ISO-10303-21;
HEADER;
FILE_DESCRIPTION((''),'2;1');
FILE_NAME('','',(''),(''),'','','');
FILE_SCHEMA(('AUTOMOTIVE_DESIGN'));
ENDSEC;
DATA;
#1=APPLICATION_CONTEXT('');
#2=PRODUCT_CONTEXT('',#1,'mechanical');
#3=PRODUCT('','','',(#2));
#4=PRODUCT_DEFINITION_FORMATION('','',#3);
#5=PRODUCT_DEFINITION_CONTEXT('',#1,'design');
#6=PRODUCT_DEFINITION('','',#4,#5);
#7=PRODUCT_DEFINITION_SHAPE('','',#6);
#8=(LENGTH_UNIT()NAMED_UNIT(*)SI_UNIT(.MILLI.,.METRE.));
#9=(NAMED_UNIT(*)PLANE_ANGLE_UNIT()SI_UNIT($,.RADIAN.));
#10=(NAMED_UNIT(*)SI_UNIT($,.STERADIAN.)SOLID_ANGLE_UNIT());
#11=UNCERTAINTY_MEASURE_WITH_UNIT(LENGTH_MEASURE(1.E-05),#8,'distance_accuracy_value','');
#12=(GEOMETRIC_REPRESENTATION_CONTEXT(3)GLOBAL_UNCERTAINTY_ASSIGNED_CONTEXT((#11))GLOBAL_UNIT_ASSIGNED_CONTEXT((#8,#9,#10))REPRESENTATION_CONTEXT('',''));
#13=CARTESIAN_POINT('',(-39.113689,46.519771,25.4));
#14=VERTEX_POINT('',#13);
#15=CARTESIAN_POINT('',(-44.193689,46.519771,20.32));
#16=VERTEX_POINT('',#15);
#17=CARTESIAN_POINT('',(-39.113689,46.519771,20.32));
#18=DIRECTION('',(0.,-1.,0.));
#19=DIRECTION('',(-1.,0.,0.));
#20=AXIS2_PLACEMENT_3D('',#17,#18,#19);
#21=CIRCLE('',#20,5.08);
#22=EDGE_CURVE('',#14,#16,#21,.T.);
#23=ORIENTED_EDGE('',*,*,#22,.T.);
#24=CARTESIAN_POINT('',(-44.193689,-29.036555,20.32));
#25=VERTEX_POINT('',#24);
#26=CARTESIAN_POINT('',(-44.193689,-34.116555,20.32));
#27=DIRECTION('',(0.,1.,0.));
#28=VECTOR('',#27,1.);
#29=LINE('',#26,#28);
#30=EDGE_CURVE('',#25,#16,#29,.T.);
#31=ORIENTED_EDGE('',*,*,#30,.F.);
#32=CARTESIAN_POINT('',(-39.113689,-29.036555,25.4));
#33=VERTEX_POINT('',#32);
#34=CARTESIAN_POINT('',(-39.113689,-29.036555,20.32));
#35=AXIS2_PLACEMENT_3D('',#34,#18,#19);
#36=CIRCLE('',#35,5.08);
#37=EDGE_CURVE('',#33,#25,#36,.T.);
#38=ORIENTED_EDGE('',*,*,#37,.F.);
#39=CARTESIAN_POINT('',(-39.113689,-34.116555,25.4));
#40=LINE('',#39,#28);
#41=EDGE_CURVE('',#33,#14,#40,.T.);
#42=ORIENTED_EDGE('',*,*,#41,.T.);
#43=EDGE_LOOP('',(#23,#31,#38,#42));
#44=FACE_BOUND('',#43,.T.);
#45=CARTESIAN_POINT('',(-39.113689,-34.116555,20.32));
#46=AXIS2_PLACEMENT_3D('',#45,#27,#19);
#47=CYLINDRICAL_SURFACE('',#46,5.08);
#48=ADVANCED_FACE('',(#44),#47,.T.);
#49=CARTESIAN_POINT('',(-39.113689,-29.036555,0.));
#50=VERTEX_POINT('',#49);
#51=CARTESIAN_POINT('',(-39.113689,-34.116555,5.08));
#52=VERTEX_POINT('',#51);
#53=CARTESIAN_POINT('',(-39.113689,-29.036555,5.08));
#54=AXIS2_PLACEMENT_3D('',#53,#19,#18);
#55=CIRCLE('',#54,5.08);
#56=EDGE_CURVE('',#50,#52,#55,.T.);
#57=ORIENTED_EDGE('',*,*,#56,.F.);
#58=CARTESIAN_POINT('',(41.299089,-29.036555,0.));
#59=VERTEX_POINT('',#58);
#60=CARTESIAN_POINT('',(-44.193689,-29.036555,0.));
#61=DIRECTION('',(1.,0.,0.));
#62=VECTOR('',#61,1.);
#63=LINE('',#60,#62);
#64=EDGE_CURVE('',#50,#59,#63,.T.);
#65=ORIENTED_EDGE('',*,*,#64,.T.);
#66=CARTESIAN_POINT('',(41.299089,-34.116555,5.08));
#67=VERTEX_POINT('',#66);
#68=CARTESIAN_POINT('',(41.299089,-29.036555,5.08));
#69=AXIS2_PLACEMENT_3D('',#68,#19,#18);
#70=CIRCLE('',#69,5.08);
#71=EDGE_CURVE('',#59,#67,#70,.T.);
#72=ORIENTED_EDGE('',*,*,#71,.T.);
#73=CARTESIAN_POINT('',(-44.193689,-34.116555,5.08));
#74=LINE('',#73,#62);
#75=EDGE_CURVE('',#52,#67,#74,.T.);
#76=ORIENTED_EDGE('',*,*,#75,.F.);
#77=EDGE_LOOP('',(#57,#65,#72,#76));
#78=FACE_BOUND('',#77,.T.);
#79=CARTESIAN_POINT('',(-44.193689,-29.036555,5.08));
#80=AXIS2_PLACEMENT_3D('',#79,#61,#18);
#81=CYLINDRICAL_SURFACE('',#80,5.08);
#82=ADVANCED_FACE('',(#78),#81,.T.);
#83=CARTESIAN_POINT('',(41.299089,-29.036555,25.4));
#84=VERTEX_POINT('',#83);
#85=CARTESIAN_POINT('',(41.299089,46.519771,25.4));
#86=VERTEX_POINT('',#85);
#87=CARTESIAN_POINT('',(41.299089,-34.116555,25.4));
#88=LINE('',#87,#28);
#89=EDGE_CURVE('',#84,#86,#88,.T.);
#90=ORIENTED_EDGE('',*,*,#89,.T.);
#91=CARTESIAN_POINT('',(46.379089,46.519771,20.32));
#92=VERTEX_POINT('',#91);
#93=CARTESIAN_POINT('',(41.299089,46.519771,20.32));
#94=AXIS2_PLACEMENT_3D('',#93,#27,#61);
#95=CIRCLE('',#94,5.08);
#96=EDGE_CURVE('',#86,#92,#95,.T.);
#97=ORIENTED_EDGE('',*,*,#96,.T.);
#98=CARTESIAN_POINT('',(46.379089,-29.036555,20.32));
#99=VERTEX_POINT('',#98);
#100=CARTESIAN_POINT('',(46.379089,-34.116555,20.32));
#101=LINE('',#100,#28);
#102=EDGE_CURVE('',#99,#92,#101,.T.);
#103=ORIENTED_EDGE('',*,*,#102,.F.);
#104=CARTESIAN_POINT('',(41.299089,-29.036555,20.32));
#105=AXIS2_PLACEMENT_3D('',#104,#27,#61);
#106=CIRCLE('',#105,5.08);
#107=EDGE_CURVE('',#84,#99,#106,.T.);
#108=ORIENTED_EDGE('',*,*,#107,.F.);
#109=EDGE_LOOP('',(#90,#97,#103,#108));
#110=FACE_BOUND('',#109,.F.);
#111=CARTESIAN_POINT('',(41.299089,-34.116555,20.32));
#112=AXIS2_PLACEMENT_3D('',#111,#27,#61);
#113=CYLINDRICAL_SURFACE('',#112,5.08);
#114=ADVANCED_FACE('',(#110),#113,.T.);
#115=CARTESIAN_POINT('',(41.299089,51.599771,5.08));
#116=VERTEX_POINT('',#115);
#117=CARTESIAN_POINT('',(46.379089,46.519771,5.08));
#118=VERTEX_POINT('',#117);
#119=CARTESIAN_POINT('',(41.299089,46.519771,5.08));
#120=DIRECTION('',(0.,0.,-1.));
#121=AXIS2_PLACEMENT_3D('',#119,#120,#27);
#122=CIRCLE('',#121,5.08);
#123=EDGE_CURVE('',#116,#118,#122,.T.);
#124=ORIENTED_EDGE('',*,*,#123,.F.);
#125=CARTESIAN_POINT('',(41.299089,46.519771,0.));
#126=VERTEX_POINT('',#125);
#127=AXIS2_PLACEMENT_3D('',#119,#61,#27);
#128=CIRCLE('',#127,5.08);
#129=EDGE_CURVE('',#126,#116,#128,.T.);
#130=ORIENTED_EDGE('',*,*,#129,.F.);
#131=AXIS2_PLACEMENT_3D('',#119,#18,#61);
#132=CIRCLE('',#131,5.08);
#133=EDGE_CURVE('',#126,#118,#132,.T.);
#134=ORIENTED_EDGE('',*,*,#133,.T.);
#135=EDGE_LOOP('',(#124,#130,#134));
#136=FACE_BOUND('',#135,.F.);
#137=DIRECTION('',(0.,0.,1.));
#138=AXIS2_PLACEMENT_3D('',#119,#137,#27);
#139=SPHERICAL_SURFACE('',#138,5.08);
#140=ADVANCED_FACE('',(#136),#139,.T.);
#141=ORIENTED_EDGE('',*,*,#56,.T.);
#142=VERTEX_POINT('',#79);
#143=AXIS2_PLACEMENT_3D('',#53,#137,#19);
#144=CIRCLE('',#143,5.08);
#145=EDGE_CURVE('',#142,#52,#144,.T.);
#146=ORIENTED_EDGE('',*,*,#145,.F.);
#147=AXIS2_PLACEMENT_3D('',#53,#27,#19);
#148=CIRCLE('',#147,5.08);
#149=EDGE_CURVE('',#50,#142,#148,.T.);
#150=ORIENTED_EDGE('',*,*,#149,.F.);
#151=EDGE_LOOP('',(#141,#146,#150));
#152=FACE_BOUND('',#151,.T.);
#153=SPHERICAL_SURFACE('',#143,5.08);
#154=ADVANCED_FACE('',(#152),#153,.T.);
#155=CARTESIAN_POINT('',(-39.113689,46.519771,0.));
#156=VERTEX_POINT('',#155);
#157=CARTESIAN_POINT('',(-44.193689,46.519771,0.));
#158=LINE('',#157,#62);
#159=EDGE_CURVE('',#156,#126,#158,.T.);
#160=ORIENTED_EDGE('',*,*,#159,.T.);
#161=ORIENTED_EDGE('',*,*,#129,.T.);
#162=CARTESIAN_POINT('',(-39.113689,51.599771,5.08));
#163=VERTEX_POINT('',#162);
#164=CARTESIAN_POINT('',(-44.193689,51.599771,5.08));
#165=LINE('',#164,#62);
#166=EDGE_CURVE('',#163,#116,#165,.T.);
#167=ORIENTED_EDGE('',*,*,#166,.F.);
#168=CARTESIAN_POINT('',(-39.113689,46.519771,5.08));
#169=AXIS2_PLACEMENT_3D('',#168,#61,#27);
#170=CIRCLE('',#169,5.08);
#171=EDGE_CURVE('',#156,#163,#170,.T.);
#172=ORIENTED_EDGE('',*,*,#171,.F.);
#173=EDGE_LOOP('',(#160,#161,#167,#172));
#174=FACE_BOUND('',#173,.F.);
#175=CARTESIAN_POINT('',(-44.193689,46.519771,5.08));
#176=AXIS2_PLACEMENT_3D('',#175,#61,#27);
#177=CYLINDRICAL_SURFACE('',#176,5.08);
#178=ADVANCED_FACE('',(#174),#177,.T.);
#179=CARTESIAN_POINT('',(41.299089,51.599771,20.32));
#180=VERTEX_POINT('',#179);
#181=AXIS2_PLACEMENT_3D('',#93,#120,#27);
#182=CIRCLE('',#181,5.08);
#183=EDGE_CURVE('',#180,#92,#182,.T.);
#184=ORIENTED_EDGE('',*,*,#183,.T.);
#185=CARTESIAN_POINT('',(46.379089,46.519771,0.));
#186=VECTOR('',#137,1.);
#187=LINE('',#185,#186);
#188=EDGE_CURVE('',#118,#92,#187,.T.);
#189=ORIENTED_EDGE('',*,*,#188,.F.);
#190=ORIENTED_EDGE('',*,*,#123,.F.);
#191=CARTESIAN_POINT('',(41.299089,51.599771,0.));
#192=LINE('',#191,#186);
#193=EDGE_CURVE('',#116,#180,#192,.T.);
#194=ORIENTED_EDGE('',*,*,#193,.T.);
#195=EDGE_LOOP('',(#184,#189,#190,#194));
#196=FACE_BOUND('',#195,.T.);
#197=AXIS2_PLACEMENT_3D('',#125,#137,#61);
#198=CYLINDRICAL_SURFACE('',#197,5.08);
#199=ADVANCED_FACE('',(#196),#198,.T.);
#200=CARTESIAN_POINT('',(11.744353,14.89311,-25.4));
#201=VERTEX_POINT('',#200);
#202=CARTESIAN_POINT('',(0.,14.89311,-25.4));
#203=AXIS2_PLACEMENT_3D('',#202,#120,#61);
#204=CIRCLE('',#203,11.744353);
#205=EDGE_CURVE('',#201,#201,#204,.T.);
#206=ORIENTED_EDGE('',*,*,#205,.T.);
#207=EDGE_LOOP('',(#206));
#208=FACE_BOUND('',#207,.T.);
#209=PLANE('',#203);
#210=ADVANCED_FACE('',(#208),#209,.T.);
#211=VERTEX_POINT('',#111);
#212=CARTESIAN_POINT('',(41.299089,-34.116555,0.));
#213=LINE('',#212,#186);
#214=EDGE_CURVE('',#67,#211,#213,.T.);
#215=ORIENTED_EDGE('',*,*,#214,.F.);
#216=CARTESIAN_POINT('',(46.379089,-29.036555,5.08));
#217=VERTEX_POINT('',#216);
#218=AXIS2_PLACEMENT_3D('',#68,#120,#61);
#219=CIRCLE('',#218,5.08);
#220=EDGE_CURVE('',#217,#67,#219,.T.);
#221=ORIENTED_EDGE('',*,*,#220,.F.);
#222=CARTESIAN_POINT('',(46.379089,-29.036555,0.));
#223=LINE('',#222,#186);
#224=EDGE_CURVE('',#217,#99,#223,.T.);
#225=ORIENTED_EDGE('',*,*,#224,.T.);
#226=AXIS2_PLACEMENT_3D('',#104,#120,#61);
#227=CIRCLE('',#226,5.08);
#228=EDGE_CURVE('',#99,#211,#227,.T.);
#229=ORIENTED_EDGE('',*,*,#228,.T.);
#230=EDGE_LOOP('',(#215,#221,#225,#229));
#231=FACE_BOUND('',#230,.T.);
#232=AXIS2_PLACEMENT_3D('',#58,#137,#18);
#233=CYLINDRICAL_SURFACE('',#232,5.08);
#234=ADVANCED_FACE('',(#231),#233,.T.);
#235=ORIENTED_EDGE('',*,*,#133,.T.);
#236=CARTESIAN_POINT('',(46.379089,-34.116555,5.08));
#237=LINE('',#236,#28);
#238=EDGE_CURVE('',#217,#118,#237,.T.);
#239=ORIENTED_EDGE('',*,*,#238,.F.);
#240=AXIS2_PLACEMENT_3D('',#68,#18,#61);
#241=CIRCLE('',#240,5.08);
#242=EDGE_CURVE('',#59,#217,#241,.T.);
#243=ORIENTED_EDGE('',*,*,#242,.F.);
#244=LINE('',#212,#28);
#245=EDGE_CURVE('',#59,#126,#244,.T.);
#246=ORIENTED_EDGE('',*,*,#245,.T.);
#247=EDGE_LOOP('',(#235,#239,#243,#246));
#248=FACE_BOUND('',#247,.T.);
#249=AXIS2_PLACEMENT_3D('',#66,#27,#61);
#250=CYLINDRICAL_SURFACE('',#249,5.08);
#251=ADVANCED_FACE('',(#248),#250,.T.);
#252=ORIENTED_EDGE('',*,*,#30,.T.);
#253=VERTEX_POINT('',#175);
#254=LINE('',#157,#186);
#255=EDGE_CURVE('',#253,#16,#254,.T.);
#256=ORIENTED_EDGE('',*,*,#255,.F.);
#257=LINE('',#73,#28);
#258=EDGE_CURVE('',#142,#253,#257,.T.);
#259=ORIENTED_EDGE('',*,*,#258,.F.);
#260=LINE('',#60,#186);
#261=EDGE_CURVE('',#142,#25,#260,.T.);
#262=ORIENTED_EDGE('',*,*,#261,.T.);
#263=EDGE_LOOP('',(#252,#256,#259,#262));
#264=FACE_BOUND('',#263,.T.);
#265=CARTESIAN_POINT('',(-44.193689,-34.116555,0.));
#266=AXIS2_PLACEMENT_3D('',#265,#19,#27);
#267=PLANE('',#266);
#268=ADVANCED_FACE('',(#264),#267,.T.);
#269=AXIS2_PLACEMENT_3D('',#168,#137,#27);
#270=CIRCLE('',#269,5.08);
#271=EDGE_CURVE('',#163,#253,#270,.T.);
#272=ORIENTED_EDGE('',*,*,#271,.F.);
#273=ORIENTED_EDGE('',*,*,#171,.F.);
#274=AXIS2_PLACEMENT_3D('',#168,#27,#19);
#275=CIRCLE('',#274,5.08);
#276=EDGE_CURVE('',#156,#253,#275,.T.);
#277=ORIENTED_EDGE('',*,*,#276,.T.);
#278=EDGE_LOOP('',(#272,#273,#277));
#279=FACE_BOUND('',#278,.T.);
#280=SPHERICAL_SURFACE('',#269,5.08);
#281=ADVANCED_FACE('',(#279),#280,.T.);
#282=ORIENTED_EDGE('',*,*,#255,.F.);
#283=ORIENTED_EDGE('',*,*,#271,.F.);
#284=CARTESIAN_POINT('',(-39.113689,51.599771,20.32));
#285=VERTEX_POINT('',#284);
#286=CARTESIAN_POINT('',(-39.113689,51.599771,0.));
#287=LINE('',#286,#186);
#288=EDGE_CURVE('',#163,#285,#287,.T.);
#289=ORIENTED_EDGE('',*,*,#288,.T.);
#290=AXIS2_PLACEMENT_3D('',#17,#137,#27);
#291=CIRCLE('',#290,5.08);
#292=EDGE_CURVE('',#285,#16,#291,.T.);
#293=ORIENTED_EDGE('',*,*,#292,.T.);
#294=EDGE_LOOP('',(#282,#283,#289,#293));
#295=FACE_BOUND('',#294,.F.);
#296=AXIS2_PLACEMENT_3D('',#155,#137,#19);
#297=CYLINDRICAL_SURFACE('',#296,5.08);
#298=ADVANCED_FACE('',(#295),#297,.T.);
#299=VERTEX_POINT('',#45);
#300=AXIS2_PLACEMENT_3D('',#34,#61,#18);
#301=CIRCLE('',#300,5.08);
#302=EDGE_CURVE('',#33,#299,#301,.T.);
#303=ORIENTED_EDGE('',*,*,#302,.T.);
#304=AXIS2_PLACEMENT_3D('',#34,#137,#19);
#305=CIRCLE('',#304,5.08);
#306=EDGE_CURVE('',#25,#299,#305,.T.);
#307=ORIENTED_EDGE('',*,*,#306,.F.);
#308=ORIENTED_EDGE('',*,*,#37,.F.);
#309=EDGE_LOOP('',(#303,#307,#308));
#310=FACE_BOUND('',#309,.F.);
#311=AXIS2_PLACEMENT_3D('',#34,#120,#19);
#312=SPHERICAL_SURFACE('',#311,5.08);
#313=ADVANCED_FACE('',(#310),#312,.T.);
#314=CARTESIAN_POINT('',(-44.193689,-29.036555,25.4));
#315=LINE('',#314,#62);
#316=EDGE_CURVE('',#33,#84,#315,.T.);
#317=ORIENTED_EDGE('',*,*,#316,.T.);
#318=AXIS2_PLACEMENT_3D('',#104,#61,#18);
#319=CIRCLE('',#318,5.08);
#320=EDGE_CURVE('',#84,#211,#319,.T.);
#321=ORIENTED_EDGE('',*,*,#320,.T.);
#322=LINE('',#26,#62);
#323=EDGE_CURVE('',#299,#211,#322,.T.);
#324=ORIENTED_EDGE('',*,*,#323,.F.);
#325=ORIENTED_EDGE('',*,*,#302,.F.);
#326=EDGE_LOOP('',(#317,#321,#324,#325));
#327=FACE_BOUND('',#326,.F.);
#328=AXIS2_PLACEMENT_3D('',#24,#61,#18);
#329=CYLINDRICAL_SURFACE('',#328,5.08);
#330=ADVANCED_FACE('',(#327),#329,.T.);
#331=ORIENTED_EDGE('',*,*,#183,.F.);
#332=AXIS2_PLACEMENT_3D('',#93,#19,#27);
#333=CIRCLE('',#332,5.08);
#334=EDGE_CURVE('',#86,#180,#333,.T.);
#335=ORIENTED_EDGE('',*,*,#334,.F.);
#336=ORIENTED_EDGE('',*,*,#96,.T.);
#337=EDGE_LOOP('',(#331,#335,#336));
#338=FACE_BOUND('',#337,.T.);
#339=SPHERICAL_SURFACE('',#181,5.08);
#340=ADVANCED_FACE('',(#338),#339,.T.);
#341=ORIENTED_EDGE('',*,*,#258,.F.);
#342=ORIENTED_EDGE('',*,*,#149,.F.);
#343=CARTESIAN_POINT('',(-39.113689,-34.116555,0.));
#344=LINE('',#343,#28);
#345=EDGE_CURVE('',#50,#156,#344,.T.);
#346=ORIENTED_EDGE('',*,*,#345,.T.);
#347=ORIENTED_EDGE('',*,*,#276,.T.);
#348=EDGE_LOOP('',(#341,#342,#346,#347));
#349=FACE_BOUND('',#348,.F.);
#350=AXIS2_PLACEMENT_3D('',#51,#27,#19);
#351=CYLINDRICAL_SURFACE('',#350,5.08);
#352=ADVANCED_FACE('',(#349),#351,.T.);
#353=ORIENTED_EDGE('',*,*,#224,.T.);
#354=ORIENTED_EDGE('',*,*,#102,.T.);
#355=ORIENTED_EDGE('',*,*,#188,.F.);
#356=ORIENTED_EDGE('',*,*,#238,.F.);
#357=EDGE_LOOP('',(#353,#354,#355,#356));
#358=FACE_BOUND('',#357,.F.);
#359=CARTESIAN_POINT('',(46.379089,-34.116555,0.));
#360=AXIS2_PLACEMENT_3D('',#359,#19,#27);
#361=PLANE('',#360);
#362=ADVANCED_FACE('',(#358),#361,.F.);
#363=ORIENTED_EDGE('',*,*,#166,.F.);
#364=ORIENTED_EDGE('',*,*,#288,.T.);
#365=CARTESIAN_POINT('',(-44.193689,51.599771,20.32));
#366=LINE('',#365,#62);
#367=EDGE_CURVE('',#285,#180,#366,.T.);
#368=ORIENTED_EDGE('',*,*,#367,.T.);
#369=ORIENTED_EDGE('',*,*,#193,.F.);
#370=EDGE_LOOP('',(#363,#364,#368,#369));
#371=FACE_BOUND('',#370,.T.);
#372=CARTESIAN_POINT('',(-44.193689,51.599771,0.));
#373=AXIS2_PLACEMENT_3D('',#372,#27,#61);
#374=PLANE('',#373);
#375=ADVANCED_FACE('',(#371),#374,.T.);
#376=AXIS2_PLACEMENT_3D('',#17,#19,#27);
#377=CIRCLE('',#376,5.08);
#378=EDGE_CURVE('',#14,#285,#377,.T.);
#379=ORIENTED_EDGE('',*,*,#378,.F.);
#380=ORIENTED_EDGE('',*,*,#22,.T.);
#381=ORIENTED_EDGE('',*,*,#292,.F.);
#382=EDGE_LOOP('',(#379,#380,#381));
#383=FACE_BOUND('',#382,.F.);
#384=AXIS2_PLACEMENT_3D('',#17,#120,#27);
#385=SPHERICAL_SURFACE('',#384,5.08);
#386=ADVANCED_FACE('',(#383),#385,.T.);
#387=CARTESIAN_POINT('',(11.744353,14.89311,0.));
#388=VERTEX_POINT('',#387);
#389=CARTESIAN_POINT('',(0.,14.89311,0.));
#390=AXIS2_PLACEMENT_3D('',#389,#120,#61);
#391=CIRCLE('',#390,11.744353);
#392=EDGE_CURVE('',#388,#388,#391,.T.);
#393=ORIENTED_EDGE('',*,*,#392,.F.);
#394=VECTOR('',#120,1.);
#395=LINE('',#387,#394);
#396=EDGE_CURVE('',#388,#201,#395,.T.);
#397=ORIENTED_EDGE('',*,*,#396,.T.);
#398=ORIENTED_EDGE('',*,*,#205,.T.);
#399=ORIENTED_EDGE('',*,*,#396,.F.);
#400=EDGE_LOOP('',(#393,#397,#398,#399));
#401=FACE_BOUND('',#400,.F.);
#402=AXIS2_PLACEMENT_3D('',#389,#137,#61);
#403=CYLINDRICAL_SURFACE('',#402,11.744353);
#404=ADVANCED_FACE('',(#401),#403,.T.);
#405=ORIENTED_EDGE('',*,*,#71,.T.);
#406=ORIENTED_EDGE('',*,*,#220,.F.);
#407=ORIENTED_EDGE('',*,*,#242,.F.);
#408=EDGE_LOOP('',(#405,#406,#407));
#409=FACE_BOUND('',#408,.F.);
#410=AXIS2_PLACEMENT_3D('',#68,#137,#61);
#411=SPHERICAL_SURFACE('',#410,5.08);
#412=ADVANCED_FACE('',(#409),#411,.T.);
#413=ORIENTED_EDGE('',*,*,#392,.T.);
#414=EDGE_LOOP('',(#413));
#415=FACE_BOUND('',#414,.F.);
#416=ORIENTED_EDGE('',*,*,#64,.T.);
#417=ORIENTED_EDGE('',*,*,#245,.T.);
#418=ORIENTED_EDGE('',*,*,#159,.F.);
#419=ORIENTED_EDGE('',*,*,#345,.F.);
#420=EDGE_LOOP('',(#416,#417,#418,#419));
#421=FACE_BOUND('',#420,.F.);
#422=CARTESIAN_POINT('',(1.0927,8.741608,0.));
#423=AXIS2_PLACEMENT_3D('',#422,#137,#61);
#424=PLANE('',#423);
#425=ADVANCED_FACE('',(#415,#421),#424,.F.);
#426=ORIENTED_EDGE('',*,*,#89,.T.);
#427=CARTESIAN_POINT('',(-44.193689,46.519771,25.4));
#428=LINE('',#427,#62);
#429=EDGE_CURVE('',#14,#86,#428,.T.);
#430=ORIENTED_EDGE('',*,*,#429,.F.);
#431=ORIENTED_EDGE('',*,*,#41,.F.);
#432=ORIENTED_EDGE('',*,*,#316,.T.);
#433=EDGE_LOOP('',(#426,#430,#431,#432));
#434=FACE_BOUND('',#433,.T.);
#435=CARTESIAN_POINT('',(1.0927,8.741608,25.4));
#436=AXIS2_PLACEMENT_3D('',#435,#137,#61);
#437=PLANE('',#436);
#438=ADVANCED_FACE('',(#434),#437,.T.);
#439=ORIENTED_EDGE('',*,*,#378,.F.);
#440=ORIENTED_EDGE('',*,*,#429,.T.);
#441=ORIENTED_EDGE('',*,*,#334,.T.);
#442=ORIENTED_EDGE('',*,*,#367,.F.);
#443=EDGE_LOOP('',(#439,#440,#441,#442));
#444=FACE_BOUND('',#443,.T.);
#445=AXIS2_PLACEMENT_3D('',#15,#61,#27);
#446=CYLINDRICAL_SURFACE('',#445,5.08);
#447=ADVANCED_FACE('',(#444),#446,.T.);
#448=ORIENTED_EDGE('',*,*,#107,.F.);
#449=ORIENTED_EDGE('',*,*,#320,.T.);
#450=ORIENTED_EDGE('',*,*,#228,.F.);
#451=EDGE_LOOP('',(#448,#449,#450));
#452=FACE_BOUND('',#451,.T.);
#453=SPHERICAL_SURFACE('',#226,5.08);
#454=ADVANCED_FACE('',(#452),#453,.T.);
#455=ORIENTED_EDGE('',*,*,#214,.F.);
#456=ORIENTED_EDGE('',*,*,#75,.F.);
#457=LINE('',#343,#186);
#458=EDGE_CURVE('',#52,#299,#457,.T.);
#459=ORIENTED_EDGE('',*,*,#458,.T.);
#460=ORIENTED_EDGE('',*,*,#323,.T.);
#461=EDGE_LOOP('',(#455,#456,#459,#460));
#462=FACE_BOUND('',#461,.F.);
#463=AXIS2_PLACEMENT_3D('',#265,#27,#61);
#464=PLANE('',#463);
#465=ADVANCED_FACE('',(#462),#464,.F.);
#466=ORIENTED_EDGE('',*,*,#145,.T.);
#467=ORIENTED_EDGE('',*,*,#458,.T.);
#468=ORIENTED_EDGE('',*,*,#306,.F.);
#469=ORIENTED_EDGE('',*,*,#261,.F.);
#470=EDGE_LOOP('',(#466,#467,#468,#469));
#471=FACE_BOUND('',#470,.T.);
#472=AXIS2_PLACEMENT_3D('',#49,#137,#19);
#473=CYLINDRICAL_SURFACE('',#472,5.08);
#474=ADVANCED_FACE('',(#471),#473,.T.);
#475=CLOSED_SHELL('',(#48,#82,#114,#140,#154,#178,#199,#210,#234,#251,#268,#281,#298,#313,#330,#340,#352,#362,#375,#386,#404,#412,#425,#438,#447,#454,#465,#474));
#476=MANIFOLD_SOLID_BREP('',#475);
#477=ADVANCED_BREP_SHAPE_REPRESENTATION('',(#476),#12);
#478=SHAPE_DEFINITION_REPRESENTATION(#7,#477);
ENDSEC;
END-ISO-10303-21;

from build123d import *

# Parameters (mm, degrees)
F0_W     = 90.572778
F0_H     = 85.716326
F1_DEPTH = 25.4
F2_R     = 5.08
F3_R     = 11.744353
F4_DEPTH = 25.4


with BuildPart() as f1:
    # F0 (on Top) → F1 (new body)
    with BuildSketch(Plane.XY):
        with Locations((1.0927, 8.741608)):
            Rectangle(F0_W, F0_H)
    extrude(amount=F1_DEPTH)

    # F2
    f2_edges = [f1.edges().sort_by_distance(p)[0] for p in [
        (46.379089, 51.599771, 12.7),
        (-44.193689, 51.599771, 12.7),
        (1.0927, 51.599771, 0),
        (1.0927, 51.599771, 25.4),
        (46.379089, -34.116555, 12.7),
        (46.379089, 8.741608, 0),
        (46.379089, 8.741608, 25.4),
        (-44.193689, -34.116555, 12.7),
        (-44.193689, 8.741608, 0),
        (-44.193689, 8.741608, 25.4),
        (1.0927, -34.116555, 0),
        (1.0927, -34.116555, 25.4),
    ]]
    fillet(f2_edges, radius=F2_R)

    # F3 (on face) → F4 (join)
    with BuildSketch(Plane(origin=(0, 0, 0), x_dir=(1, 0, 0), z_dir=(0, 0, -1))):
        with Locations((0, -14.89311)):
            Circle(F3_R)
    extrude(amount=F4_DEPTH)


solid = f1.part
